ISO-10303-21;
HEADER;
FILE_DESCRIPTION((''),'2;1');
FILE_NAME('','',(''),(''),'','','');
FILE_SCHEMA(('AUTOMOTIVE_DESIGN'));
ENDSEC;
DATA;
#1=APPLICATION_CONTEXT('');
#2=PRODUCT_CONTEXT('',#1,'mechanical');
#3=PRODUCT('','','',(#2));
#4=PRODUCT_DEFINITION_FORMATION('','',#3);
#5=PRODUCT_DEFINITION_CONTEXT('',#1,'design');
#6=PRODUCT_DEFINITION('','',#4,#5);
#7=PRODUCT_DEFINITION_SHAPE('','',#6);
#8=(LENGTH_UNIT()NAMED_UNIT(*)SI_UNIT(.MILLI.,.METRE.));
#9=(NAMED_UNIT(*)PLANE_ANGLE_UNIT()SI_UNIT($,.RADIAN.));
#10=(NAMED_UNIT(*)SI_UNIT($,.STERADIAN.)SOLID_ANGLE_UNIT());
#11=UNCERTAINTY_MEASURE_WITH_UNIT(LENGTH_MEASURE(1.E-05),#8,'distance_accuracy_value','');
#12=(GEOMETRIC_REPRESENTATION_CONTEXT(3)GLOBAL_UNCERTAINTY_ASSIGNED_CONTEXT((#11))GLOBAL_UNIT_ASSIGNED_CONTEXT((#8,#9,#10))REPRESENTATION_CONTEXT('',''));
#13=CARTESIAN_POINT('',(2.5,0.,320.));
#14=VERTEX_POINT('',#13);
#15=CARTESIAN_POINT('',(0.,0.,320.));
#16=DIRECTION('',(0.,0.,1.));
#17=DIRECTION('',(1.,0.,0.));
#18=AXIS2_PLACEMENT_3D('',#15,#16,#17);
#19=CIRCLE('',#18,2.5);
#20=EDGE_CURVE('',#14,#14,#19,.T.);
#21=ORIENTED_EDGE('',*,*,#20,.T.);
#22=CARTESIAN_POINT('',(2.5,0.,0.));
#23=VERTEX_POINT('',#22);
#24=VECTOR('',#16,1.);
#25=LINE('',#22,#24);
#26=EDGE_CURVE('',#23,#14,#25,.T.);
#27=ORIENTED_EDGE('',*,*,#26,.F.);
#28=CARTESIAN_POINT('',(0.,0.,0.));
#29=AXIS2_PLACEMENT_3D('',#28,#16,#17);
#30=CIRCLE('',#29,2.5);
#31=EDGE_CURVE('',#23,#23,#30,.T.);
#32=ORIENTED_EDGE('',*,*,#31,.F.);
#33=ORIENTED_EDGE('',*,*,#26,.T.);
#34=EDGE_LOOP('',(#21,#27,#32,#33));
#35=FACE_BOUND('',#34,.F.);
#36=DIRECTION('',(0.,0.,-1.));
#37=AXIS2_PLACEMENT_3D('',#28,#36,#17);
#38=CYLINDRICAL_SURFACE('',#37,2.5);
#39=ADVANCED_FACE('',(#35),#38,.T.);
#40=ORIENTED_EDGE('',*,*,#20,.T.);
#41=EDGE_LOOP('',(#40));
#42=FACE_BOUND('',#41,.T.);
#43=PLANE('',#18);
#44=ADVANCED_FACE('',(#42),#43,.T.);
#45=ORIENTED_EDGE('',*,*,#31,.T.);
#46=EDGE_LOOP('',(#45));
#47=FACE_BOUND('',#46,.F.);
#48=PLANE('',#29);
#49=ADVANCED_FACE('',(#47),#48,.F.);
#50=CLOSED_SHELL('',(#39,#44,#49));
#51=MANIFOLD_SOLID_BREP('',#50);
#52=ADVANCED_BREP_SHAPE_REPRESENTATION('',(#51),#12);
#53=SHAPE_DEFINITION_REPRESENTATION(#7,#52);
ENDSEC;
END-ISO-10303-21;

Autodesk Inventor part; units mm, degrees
ref_plane "YZ Plane" through (0, 0, 0) normal (1, 0, 0) x (0, 1, 0)
ref_plane "XZ Plane" through (0, 0, 0) normal (0, 1, 0) x (-1, 0, 0)
ref_plane "XY Plane" through (0, 0, 0) normal (0, 0, 1) x (1, 0, 0)
sketch "Sketch1" plane through (0, 0, 0) normal (0, 0, 1) x (1, 0, 0)
  circle A0 centre (0, 0) radius 2.5
  dimension "d0" = 5
extrude "Extrusion1" add sketch "Sketch1" along normal blind 320
thread "Thread1" size "M5x0.8" class "6g" standard "ISO Metric profile" full length
properties part number "Topload stift" material "Iron, Gray"
